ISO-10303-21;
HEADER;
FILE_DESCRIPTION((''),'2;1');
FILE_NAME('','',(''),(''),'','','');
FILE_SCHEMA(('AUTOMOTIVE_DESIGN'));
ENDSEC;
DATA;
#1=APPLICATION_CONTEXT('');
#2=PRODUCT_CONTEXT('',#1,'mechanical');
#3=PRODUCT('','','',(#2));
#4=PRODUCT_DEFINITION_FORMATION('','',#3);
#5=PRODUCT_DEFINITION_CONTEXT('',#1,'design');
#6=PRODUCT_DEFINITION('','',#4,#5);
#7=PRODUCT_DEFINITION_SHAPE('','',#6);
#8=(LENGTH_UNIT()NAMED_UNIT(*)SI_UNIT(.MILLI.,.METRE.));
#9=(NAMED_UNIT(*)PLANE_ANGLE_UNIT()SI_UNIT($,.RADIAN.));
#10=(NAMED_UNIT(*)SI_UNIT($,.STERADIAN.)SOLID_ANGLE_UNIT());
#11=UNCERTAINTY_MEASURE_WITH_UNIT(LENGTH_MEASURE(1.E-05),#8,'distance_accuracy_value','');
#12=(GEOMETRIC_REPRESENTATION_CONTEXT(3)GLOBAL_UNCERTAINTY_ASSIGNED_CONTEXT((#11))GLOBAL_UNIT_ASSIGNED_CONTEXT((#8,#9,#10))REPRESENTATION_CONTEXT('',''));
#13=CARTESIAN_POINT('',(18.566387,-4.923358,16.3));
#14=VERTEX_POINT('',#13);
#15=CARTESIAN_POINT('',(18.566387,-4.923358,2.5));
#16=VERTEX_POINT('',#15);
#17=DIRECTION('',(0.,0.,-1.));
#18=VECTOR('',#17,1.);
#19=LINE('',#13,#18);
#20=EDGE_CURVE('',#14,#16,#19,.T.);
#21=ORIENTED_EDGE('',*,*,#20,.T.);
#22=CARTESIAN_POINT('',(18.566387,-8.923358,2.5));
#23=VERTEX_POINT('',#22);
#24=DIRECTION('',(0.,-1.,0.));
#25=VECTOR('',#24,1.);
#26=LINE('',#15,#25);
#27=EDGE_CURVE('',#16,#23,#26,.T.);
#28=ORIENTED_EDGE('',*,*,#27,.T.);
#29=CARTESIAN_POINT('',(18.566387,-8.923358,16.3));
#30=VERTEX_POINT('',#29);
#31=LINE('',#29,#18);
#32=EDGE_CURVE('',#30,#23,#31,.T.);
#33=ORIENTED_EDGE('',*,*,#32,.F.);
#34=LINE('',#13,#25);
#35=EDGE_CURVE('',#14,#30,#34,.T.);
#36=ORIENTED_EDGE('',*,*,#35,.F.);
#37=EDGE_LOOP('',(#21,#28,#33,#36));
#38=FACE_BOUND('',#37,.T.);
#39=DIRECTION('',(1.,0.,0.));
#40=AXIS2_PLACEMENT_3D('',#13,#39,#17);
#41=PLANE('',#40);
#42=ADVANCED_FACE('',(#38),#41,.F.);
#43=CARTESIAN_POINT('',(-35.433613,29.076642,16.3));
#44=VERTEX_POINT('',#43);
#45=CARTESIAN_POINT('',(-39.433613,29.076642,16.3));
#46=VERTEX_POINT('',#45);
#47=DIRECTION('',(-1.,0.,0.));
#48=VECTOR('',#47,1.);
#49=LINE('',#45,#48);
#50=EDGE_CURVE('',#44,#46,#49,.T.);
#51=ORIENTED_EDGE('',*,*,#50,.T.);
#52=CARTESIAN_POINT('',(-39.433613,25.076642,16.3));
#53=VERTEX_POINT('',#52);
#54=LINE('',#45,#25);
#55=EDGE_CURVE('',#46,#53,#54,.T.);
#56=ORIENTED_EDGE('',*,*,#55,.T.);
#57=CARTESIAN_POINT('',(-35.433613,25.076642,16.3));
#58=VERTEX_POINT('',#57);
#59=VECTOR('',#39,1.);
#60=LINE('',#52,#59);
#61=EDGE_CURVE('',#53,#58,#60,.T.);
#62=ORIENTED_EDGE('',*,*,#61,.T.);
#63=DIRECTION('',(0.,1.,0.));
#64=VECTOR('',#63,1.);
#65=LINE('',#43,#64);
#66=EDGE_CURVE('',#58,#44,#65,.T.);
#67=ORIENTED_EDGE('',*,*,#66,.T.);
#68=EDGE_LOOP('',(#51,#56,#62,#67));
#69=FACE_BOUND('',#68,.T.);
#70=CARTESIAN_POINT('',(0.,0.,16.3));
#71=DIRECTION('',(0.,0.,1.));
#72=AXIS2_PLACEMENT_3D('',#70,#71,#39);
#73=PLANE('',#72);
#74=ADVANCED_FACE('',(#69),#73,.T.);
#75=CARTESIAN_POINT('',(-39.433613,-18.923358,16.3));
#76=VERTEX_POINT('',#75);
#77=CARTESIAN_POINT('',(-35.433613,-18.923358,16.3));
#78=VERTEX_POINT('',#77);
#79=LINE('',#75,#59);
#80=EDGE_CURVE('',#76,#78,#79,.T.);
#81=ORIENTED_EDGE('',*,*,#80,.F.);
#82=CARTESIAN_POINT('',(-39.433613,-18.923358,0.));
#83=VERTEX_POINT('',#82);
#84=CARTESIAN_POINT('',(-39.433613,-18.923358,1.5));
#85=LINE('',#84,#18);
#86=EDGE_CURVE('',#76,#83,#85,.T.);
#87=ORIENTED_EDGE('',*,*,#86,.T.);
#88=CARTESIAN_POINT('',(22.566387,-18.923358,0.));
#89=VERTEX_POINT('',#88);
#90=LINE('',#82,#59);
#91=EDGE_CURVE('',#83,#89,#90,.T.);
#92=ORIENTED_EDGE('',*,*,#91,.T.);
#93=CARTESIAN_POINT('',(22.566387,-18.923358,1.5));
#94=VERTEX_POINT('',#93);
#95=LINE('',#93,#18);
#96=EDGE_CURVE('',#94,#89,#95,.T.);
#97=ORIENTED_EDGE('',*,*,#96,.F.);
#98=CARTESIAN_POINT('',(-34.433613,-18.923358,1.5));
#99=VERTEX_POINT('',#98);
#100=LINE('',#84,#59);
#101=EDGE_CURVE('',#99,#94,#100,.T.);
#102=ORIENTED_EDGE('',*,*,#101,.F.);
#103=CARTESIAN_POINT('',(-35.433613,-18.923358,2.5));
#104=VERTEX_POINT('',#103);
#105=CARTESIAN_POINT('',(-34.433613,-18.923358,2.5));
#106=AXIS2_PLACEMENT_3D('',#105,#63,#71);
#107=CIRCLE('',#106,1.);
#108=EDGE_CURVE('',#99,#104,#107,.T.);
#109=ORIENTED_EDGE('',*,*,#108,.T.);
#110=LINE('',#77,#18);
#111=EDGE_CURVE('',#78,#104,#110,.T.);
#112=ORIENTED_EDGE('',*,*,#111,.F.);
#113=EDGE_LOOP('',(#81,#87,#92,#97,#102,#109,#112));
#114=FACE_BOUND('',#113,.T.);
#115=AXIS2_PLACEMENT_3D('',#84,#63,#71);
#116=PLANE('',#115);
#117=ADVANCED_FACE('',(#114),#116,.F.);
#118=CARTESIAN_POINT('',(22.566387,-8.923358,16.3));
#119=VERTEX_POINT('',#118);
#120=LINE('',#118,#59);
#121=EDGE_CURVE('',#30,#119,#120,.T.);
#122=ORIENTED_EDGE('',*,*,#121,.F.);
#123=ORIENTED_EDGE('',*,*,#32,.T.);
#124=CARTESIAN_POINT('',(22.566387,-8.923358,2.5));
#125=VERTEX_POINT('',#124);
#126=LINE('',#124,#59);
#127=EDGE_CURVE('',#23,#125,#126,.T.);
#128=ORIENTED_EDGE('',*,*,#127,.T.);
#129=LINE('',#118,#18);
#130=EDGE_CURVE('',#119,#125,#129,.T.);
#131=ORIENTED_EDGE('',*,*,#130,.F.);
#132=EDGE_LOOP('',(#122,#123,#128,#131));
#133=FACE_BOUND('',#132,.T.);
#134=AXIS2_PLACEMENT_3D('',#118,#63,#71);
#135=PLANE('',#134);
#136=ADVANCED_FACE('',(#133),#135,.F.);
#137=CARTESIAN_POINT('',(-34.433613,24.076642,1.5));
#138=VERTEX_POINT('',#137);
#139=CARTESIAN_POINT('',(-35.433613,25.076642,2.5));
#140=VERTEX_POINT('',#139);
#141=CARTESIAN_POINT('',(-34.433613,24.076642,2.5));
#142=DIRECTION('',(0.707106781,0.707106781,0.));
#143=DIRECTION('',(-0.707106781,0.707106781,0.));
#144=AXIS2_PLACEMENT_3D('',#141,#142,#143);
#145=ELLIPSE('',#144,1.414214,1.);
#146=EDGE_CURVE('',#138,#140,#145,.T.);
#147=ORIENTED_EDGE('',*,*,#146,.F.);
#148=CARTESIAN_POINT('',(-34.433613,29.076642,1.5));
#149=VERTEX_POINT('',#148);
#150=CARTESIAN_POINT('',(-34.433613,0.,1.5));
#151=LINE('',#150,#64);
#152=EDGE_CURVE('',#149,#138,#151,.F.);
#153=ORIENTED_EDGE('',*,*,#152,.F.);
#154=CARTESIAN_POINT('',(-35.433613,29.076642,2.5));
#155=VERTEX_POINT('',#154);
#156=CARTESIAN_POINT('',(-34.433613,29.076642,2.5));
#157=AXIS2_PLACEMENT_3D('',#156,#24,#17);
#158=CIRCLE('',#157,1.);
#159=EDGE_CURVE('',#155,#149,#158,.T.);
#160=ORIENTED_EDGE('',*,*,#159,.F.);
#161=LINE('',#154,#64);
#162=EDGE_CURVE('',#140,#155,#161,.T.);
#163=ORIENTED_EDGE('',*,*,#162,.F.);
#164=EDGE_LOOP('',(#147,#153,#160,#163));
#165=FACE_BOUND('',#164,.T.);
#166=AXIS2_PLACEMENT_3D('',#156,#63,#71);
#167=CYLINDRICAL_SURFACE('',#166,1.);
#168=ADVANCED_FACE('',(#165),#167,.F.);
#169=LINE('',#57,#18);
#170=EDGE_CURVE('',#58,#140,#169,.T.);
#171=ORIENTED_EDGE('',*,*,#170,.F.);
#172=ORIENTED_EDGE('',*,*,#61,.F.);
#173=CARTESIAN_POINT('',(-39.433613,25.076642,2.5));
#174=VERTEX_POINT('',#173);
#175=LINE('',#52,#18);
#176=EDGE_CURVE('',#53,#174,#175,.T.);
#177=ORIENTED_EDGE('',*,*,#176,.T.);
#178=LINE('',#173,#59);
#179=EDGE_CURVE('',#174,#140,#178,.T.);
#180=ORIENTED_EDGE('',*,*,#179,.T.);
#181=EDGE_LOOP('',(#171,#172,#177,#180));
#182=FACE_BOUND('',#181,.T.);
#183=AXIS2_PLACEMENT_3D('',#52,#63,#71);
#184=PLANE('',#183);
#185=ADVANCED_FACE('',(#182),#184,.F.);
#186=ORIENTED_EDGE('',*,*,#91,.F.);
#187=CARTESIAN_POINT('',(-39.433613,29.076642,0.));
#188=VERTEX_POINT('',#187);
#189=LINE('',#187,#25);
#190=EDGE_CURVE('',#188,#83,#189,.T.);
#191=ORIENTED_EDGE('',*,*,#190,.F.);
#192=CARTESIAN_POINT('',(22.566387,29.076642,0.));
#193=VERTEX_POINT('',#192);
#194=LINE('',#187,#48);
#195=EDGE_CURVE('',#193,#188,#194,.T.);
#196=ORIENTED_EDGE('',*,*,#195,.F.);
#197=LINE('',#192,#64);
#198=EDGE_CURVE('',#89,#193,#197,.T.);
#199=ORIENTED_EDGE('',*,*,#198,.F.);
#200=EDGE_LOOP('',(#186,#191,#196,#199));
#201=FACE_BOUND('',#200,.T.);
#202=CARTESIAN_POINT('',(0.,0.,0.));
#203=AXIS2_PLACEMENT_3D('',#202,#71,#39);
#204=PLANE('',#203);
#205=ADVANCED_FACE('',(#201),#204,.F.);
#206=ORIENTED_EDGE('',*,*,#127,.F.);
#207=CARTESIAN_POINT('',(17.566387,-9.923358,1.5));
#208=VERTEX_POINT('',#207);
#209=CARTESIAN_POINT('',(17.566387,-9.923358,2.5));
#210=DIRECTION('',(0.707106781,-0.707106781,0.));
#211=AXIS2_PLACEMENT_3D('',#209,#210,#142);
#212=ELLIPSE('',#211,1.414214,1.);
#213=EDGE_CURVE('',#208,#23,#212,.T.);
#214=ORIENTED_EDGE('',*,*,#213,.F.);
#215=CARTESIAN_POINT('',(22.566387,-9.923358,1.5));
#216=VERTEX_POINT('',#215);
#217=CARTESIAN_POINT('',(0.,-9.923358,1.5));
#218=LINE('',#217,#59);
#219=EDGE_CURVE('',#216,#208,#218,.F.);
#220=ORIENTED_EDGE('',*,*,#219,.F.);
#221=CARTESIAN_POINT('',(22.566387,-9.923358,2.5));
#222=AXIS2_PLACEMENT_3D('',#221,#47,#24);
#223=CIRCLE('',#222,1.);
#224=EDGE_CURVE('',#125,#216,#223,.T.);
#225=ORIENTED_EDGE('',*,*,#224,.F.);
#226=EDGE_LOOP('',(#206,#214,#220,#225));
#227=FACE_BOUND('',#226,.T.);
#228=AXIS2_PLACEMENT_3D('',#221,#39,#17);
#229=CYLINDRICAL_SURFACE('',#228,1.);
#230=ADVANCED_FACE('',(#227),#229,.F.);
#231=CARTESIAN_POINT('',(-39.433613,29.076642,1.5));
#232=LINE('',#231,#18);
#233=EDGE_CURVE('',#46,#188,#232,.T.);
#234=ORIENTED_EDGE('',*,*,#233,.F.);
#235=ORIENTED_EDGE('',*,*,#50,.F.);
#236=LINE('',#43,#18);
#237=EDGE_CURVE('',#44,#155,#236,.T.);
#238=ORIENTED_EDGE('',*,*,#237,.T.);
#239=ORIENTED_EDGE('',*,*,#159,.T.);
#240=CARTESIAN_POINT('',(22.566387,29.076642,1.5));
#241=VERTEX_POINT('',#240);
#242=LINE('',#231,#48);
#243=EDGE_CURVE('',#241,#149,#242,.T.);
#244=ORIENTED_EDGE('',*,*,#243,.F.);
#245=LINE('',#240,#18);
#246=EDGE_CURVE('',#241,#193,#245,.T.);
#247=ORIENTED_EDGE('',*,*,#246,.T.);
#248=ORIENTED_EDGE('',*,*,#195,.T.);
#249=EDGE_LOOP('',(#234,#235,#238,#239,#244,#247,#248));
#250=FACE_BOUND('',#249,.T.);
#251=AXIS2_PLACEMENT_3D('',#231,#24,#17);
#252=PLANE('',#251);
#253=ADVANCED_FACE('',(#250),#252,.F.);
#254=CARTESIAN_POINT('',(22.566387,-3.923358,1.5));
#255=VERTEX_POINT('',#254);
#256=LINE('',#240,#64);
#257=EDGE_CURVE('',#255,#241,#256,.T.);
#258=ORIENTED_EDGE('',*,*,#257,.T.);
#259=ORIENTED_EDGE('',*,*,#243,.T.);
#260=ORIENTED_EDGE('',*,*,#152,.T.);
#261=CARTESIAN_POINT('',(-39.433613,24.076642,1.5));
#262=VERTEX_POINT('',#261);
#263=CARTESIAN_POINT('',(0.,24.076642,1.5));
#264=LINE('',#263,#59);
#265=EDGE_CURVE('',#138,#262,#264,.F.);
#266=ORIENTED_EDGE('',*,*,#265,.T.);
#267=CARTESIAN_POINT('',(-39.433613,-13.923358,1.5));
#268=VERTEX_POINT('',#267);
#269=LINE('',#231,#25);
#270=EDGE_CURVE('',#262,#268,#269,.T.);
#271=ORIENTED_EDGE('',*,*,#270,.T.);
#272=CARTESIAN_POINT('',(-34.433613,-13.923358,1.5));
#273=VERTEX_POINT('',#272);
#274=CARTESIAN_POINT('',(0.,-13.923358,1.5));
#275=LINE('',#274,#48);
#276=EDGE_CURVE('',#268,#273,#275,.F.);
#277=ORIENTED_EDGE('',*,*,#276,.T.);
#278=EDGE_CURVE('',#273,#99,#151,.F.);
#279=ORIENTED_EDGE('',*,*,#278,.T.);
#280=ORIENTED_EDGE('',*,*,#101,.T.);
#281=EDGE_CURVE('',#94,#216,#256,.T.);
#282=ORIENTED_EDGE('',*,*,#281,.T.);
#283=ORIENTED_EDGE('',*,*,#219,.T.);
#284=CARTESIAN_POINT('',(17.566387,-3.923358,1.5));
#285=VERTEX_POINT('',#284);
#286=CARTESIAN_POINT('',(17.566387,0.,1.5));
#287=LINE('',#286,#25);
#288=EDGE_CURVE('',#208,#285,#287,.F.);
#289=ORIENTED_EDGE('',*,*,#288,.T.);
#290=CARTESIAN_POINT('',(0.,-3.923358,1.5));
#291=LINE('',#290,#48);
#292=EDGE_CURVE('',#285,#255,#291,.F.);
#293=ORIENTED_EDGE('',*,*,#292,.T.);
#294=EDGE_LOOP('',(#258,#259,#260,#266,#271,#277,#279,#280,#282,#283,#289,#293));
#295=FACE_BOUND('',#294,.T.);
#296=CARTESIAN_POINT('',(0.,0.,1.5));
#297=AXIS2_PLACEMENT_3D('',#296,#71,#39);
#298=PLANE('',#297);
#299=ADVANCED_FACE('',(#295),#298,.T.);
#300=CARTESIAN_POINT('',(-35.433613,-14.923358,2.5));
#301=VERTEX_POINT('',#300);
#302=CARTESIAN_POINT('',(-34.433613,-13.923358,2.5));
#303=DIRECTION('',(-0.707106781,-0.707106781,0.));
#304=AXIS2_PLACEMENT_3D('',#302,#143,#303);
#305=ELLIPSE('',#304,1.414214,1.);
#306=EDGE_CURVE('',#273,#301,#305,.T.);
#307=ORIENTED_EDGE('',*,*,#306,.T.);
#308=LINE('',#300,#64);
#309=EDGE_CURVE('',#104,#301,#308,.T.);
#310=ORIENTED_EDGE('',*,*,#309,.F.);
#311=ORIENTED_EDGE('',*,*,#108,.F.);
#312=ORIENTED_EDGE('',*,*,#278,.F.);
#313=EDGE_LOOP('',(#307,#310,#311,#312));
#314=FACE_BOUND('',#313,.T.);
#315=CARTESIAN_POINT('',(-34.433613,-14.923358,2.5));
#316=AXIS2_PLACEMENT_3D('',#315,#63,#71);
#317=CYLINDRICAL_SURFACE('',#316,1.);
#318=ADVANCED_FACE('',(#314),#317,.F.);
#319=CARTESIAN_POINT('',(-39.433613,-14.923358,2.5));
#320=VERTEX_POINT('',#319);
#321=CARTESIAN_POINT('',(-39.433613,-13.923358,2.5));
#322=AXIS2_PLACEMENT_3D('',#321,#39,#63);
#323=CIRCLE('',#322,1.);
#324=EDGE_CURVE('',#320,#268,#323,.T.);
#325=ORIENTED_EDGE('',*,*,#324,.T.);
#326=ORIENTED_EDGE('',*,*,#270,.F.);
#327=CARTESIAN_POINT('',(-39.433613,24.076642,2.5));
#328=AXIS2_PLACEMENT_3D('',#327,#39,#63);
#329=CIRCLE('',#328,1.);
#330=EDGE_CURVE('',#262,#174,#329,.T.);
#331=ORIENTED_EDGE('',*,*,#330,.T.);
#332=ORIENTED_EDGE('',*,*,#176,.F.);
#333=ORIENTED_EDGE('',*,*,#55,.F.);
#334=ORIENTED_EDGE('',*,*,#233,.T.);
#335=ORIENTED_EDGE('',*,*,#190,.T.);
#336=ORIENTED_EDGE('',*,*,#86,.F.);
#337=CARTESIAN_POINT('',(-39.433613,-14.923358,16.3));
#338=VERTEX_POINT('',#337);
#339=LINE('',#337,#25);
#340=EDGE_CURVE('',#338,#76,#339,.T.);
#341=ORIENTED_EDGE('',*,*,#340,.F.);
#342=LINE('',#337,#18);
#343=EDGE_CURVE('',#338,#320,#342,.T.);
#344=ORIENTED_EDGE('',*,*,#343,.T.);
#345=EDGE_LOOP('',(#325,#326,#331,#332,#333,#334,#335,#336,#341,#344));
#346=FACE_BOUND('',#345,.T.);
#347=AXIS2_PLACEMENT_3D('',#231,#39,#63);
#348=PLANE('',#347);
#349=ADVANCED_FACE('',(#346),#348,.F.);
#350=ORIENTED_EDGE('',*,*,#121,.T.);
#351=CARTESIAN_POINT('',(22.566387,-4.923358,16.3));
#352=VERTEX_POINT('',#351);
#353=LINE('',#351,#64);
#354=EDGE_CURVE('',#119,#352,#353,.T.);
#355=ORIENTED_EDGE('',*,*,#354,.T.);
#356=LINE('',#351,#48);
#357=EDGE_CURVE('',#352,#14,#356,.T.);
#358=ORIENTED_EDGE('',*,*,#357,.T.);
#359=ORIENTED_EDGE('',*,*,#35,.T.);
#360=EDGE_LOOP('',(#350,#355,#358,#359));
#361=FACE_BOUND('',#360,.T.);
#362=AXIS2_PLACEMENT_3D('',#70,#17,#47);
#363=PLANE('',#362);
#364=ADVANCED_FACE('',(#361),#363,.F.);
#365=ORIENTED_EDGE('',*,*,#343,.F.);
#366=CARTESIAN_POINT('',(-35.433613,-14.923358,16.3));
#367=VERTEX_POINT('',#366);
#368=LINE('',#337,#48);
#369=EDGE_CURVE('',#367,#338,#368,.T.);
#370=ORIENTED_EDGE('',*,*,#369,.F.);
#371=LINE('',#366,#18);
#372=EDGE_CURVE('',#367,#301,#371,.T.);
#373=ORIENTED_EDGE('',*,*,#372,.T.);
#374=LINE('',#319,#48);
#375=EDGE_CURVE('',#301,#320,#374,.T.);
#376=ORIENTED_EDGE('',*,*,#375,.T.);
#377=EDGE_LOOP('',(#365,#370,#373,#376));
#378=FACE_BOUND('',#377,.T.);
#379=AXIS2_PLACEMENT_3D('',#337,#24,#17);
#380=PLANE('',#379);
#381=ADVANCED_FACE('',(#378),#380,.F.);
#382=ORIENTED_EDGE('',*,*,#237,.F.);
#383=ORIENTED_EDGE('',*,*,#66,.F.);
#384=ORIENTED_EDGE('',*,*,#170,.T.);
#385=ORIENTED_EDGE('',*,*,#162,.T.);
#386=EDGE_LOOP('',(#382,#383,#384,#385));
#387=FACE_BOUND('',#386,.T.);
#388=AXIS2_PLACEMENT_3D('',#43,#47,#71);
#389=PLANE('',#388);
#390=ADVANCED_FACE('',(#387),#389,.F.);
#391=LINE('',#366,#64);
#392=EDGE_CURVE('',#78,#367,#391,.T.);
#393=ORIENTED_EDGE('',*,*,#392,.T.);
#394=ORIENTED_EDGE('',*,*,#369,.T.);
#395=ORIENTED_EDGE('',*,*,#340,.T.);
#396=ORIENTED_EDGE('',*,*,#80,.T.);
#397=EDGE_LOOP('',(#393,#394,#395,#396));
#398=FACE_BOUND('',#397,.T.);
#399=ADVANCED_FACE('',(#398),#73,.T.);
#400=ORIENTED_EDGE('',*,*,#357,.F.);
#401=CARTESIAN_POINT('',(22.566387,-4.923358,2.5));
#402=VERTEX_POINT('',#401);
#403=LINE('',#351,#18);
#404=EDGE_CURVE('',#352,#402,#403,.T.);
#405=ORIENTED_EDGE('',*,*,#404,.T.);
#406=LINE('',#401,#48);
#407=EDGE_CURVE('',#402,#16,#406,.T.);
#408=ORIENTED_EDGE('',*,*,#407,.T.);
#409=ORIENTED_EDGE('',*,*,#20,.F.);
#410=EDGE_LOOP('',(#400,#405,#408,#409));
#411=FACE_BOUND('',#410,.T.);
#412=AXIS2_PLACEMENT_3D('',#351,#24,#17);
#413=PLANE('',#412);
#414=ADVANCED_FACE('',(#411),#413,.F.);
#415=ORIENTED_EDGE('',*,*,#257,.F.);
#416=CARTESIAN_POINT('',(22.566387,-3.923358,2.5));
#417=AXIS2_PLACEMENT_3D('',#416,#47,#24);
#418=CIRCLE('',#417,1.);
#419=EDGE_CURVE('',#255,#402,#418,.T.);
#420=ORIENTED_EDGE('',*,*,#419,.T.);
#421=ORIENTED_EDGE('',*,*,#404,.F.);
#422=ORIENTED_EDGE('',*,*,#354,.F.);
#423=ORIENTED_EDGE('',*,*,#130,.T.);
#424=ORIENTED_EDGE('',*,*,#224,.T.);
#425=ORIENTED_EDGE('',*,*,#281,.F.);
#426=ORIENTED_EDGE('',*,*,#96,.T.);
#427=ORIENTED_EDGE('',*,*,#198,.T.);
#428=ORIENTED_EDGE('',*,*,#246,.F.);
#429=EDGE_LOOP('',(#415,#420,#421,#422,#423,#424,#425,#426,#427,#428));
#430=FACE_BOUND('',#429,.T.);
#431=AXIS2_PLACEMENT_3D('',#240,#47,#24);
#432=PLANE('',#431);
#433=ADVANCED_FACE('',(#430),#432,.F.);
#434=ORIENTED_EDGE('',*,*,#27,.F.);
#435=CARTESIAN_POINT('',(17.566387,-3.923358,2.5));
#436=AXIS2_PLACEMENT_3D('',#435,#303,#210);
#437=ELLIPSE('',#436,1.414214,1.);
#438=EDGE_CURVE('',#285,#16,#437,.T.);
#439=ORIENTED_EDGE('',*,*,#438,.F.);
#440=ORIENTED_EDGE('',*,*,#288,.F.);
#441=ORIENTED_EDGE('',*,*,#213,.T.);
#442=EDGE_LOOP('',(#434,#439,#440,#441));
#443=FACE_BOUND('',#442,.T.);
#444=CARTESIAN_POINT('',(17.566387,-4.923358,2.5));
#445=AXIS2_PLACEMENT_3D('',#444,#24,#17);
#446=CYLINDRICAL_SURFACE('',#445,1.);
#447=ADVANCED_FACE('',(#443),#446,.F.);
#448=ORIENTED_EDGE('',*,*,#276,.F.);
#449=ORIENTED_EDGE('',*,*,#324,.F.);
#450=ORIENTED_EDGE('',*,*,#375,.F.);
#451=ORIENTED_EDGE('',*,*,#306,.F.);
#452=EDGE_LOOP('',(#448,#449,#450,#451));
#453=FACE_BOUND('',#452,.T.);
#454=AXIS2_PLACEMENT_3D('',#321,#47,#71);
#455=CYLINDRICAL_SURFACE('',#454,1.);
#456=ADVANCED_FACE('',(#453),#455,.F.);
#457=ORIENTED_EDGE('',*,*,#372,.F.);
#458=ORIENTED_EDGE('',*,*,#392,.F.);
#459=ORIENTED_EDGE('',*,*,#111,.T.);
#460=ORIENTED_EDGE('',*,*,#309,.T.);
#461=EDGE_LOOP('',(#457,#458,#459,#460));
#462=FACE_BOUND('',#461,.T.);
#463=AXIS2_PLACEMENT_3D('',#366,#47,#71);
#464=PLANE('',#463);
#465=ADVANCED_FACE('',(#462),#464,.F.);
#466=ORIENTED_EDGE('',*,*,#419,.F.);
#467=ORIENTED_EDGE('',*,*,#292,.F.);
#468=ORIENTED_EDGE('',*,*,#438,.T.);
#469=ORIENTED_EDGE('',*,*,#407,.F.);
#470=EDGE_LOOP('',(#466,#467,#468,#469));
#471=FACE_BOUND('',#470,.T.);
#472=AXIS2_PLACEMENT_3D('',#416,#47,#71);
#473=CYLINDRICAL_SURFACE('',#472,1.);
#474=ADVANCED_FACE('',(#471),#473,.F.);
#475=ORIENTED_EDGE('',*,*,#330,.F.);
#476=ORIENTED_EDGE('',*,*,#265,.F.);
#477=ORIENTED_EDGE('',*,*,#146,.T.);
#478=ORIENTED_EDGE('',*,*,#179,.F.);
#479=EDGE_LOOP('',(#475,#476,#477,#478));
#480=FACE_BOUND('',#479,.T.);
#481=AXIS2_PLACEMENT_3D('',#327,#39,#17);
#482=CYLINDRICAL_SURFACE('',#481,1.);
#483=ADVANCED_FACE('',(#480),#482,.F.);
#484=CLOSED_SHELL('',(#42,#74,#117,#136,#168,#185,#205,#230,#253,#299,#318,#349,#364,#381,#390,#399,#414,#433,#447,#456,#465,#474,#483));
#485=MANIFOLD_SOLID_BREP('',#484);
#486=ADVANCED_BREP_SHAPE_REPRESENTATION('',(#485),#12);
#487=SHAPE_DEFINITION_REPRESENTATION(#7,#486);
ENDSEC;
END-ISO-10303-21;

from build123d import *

# Parameters (mm, degrees)
SKIZZE1_W                       = 62
SKIZZE1_H                       = 48
AUFSATZ_LINEAR_AUSTRAGEN1_DEPTH = 1.5
SKIZZE3_W                       = 4
SKIZZE3_H                       = 4
AUFSATZ_LINEAR_AUSTRAGEN2_DEPTH = 14.8
VERRUNDUNG1_R                   = 1


with BuildPart() as part:
    # Skizze1 → Aufsatz-Linear austragen1 (new body)
    with BuildSketch(Plane.XY):
        with Locations((-8.433613499, 5.076642336)):
            Rectangle(SKIZZE1_W, SKIZZE1_H)
    extrude(amount=AUFSATZ_LINEAR_AUSTRAGEN1_DEPTH)

    # Skizze3 → Aufsatz-Linear austragen2 (add)
    with BuildSketch(Plane.XY.offset(1.5)):
        with Locations((-37.433613499, 27.076642336)):
            Rectangle(SKIZZE3_W, SKIZZE3_H)
        with Locations((-37.433613499, -16.923357664)):
            Rectangle(SKIZZE3_W, SKIZZE3_H)
        with Locations((20.566386501, -6.923357664)):
            Rectangle(SKIZZE3_W, SKIZZE3_H)
    extrude(amount=AUFSATZ_LINEAR_AUSTRAGEN2_DEPTH)

    # Verrundung1
    verrundung1_edges = [part.edges().sort_by_distance(p)[0] for p in [
        (-37.433613499, 25.076642336, 1.5),
        (-35.433613499, 27.076642336, 1.5),
        (-35.433613499, -16.923357664, 1.5),
        (-37.433613499, -14.923357664, 1.5),
        (20.566386501, -4.923357664, 1.5),
        (18.566386501, -6.923357664, 1.5),
        (20.566386501, -8.923357664, 1.5),
    ]]
    fillet(verrundung1_edges, radius=VERRUNDUNG1_R)


solid = part.part
